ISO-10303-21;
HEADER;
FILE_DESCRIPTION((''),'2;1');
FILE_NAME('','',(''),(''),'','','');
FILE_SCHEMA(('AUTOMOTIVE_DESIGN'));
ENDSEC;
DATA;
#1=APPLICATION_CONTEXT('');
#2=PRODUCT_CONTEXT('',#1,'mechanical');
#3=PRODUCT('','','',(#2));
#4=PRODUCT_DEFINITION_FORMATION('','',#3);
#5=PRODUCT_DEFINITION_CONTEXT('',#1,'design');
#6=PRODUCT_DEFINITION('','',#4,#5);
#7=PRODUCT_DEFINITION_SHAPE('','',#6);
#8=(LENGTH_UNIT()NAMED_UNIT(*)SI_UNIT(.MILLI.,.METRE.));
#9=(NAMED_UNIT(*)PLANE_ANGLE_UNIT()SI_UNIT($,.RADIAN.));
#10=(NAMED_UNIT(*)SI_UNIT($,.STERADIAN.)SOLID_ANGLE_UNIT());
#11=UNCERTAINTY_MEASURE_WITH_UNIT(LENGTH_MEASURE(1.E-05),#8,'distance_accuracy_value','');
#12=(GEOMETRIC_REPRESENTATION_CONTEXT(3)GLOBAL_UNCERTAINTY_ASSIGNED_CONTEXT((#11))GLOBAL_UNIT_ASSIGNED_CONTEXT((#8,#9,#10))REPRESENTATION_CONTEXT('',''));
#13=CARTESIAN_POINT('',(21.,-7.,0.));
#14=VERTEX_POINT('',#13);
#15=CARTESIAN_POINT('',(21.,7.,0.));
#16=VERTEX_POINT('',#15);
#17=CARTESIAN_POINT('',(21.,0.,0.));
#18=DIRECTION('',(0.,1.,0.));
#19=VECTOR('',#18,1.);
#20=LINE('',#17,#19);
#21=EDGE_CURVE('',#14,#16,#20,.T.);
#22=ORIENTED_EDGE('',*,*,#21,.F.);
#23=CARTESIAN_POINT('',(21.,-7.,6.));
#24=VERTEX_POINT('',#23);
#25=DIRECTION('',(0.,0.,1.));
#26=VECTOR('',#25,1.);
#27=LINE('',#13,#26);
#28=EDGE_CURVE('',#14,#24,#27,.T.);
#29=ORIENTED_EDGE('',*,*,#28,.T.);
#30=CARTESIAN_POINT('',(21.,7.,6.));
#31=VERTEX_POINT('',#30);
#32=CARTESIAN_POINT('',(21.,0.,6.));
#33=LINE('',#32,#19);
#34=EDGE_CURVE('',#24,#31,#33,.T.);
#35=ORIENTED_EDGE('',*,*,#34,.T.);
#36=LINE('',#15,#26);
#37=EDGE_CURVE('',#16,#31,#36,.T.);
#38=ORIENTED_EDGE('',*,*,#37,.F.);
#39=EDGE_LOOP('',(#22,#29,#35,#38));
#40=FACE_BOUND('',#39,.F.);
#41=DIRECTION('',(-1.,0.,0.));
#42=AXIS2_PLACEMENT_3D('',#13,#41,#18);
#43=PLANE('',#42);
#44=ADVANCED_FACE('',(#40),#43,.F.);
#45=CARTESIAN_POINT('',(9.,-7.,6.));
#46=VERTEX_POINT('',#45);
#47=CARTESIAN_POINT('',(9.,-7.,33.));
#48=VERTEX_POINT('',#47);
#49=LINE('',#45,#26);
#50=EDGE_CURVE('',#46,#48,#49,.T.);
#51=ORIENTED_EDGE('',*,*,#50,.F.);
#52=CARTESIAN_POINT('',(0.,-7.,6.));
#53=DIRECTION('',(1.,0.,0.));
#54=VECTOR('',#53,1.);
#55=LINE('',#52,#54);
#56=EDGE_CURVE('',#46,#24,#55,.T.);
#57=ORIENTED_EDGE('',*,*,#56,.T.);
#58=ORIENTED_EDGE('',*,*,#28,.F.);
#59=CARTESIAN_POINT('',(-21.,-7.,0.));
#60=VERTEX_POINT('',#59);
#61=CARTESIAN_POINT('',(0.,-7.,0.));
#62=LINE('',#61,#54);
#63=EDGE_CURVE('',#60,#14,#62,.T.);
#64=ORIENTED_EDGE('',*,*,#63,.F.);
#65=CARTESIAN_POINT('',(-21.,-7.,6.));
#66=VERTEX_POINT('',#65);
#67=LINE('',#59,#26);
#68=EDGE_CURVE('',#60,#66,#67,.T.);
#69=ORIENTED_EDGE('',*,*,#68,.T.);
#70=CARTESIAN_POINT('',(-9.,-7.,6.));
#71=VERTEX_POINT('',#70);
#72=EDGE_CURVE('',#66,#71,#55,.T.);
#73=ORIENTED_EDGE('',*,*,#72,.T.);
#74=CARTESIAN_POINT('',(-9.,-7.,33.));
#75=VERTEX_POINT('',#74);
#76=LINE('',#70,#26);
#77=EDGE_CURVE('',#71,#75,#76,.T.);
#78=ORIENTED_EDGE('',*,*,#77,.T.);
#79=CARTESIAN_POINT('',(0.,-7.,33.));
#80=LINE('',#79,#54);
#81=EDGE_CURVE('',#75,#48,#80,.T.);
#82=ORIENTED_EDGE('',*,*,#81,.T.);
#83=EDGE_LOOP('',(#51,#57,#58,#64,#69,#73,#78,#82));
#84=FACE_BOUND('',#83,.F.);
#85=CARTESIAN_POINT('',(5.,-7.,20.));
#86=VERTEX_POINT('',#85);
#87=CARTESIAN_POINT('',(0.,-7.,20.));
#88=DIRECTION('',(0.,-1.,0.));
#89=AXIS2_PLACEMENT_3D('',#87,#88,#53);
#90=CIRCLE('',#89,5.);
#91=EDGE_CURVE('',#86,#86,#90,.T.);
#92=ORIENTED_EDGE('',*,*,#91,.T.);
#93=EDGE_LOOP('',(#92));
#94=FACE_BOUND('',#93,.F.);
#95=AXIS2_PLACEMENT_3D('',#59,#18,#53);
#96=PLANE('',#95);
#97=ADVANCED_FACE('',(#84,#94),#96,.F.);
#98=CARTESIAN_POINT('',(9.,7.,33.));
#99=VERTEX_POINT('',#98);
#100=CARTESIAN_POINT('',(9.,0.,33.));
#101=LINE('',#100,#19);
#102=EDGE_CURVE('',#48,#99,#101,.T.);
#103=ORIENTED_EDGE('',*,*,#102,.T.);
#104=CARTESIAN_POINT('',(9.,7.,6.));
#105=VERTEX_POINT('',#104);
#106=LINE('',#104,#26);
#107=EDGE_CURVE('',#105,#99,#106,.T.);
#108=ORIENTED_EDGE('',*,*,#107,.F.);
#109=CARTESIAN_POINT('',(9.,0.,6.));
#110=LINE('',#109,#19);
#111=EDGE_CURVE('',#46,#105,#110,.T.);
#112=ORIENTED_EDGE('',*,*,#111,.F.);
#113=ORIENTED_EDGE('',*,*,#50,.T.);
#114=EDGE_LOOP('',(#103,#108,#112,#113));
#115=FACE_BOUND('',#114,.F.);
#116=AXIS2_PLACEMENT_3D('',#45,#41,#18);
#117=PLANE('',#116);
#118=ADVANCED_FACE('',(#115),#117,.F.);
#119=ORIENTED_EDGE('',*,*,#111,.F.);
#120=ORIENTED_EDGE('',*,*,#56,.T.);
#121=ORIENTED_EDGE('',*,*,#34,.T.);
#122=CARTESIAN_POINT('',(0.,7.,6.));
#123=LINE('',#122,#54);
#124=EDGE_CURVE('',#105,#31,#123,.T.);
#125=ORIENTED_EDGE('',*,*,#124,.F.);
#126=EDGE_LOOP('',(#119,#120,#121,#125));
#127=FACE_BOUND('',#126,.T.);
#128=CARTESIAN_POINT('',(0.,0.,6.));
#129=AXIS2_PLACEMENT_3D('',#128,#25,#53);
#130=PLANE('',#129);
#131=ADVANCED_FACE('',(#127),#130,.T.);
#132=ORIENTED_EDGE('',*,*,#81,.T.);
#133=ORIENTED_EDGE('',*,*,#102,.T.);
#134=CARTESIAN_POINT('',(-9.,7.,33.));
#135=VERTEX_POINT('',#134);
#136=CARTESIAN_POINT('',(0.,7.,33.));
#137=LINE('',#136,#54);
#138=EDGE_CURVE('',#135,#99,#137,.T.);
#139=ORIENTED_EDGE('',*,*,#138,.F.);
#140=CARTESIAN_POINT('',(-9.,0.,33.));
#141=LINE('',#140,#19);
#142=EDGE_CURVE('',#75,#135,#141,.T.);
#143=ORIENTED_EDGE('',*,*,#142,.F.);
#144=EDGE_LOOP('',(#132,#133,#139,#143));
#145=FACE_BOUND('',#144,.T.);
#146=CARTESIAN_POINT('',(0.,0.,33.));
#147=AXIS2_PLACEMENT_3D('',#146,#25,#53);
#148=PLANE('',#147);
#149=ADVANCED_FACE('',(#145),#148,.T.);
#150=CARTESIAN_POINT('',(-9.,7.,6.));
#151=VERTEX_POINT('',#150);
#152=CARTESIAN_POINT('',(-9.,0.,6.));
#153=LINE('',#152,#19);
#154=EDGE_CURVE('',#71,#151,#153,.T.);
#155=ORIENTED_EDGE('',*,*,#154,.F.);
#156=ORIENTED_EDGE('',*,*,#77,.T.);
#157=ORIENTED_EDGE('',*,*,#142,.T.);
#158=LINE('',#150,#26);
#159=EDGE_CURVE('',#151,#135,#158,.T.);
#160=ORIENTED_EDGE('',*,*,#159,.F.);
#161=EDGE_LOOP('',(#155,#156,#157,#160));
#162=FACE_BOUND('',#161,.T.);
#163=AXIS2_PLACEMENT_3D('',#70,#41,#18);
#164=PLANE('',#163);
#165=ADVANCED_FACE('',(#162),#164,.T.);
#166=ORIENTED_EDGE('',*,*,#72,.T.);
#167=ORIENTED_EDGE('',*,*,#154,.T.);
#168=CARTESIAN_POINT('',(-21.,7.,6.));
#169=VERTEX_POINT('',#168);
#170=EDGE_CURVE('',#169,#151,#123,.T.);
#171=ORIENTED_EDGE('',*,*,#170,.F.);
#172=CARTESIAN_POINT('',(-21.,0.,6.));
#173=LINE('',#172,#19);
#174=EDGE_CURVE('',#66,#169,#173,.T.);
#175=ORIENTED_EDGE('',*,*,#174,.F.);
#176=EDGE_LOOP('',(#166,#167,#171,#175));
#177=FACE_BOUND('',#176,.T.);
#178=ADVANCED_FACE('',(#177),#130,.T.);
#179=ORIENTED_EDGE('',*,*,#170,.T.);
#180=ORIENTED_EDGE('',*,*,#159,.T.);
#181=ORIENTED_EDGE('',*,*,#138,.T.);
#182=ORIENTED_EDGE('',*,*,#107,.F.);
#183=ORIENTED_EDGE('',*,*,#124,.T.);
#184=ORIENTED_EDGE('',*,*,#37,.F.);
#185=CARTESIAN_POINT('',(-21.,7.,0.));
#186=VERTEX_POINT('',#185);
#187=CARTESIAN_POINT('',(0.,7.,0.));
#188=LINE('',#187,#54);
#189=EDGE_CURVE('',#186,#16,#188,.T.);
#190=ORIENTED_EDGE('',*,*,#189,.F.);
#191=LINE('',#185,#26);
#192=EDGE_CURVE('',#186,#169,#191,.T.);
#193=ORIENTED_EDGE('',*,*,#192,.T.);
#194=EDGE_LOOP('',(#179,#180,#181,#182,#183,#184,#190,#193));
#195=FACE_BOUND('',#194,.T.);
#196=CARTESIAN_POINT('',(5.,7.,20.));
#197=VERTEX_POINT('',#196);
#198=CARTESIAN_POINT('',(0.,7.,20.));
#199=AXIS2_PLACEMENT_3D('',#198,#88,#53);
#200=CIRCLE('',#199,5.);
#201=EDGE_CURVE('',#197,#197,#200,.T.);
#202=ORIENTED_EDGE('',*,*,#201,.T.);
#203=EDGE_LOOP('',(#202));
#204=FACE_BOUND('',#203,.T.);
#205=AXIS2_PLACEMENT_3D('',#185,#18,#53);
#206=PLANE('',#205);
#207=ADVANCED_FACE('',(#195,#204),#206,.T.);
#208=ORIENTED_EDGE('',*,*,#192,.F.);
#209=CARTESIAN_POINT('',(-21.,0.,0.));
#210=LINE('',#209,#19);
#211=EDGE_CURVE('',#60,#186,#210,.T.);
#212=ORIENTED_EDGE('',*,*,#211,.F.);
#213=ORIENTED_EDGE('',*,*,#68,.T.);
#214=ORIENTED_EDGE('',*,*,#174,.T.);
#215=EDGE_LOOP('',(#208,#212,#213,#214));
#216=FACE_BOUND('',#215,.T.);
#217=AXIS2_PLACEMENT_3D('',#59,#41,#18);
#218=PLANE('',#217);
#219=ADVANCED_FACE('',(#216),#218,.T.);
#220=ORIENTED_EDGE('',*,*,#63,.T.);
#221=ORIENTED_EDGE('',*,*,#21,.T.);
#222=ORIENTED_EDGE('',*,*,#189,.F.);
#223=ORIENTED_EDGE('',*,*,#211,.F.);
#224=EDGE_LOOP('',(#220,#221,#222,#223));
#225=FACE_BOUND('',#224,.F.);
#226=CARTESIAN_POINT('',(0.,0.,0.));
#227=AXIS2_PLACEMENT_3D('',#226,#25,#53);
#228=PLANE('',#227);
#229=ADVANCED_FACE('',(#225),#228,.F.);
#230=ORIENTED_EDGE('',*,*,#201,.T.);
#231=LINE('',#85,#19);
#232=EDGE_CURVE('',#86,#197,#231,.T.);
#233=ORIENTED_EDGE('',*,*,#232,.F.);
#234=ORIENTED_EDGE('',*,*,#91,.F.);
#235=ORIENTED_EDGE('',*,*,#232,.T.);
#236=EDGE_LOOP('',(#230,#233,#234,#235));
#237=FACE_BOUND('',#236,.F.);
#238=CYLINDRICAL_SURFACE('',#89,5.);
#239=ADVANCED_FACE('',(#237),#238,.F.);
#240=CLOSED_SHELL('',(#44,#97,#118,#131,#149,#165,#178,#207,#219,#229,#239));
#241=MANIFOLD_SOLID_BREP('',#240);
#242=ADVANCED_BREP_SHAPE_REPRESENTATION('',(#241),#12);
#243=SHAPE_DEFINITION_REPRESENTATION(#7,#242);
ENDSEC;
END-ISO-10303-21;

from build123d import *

# Parameters (mm, degrees)
F0_W     = 42
F0_H     = 14
F1_DEPTH = 6
F2_W     = 18
F2_H     = 14
F3_DEPTH = 27
F4_R     = 5
F5_DEPTH = 14


with BuildPart() as f1:
    # F0 (on Top) → F1 (new body)
    with BuildSketch(Plane.XY):
        Rectangle(F0_W, F0_H)
    extrude(amount=F1_DEPTH)

    # F2 (on face) → F3 (join)
    with BuildSketch(Plane.XY.offset(6)):
        Rectangle(F2_W, F2_H)
    extrude(amount=F3_DEPTH)

    # F4 (on face) → F5 (cut, through all)
    with BuildSketch(Plane.XZ.offset(7)):
        with Locations((0, 20)):
            Circle(F4_R)
    extrude(amount=-F5_DEPTH, mode=Mode.SUBTRACT)


solid = f1.part
